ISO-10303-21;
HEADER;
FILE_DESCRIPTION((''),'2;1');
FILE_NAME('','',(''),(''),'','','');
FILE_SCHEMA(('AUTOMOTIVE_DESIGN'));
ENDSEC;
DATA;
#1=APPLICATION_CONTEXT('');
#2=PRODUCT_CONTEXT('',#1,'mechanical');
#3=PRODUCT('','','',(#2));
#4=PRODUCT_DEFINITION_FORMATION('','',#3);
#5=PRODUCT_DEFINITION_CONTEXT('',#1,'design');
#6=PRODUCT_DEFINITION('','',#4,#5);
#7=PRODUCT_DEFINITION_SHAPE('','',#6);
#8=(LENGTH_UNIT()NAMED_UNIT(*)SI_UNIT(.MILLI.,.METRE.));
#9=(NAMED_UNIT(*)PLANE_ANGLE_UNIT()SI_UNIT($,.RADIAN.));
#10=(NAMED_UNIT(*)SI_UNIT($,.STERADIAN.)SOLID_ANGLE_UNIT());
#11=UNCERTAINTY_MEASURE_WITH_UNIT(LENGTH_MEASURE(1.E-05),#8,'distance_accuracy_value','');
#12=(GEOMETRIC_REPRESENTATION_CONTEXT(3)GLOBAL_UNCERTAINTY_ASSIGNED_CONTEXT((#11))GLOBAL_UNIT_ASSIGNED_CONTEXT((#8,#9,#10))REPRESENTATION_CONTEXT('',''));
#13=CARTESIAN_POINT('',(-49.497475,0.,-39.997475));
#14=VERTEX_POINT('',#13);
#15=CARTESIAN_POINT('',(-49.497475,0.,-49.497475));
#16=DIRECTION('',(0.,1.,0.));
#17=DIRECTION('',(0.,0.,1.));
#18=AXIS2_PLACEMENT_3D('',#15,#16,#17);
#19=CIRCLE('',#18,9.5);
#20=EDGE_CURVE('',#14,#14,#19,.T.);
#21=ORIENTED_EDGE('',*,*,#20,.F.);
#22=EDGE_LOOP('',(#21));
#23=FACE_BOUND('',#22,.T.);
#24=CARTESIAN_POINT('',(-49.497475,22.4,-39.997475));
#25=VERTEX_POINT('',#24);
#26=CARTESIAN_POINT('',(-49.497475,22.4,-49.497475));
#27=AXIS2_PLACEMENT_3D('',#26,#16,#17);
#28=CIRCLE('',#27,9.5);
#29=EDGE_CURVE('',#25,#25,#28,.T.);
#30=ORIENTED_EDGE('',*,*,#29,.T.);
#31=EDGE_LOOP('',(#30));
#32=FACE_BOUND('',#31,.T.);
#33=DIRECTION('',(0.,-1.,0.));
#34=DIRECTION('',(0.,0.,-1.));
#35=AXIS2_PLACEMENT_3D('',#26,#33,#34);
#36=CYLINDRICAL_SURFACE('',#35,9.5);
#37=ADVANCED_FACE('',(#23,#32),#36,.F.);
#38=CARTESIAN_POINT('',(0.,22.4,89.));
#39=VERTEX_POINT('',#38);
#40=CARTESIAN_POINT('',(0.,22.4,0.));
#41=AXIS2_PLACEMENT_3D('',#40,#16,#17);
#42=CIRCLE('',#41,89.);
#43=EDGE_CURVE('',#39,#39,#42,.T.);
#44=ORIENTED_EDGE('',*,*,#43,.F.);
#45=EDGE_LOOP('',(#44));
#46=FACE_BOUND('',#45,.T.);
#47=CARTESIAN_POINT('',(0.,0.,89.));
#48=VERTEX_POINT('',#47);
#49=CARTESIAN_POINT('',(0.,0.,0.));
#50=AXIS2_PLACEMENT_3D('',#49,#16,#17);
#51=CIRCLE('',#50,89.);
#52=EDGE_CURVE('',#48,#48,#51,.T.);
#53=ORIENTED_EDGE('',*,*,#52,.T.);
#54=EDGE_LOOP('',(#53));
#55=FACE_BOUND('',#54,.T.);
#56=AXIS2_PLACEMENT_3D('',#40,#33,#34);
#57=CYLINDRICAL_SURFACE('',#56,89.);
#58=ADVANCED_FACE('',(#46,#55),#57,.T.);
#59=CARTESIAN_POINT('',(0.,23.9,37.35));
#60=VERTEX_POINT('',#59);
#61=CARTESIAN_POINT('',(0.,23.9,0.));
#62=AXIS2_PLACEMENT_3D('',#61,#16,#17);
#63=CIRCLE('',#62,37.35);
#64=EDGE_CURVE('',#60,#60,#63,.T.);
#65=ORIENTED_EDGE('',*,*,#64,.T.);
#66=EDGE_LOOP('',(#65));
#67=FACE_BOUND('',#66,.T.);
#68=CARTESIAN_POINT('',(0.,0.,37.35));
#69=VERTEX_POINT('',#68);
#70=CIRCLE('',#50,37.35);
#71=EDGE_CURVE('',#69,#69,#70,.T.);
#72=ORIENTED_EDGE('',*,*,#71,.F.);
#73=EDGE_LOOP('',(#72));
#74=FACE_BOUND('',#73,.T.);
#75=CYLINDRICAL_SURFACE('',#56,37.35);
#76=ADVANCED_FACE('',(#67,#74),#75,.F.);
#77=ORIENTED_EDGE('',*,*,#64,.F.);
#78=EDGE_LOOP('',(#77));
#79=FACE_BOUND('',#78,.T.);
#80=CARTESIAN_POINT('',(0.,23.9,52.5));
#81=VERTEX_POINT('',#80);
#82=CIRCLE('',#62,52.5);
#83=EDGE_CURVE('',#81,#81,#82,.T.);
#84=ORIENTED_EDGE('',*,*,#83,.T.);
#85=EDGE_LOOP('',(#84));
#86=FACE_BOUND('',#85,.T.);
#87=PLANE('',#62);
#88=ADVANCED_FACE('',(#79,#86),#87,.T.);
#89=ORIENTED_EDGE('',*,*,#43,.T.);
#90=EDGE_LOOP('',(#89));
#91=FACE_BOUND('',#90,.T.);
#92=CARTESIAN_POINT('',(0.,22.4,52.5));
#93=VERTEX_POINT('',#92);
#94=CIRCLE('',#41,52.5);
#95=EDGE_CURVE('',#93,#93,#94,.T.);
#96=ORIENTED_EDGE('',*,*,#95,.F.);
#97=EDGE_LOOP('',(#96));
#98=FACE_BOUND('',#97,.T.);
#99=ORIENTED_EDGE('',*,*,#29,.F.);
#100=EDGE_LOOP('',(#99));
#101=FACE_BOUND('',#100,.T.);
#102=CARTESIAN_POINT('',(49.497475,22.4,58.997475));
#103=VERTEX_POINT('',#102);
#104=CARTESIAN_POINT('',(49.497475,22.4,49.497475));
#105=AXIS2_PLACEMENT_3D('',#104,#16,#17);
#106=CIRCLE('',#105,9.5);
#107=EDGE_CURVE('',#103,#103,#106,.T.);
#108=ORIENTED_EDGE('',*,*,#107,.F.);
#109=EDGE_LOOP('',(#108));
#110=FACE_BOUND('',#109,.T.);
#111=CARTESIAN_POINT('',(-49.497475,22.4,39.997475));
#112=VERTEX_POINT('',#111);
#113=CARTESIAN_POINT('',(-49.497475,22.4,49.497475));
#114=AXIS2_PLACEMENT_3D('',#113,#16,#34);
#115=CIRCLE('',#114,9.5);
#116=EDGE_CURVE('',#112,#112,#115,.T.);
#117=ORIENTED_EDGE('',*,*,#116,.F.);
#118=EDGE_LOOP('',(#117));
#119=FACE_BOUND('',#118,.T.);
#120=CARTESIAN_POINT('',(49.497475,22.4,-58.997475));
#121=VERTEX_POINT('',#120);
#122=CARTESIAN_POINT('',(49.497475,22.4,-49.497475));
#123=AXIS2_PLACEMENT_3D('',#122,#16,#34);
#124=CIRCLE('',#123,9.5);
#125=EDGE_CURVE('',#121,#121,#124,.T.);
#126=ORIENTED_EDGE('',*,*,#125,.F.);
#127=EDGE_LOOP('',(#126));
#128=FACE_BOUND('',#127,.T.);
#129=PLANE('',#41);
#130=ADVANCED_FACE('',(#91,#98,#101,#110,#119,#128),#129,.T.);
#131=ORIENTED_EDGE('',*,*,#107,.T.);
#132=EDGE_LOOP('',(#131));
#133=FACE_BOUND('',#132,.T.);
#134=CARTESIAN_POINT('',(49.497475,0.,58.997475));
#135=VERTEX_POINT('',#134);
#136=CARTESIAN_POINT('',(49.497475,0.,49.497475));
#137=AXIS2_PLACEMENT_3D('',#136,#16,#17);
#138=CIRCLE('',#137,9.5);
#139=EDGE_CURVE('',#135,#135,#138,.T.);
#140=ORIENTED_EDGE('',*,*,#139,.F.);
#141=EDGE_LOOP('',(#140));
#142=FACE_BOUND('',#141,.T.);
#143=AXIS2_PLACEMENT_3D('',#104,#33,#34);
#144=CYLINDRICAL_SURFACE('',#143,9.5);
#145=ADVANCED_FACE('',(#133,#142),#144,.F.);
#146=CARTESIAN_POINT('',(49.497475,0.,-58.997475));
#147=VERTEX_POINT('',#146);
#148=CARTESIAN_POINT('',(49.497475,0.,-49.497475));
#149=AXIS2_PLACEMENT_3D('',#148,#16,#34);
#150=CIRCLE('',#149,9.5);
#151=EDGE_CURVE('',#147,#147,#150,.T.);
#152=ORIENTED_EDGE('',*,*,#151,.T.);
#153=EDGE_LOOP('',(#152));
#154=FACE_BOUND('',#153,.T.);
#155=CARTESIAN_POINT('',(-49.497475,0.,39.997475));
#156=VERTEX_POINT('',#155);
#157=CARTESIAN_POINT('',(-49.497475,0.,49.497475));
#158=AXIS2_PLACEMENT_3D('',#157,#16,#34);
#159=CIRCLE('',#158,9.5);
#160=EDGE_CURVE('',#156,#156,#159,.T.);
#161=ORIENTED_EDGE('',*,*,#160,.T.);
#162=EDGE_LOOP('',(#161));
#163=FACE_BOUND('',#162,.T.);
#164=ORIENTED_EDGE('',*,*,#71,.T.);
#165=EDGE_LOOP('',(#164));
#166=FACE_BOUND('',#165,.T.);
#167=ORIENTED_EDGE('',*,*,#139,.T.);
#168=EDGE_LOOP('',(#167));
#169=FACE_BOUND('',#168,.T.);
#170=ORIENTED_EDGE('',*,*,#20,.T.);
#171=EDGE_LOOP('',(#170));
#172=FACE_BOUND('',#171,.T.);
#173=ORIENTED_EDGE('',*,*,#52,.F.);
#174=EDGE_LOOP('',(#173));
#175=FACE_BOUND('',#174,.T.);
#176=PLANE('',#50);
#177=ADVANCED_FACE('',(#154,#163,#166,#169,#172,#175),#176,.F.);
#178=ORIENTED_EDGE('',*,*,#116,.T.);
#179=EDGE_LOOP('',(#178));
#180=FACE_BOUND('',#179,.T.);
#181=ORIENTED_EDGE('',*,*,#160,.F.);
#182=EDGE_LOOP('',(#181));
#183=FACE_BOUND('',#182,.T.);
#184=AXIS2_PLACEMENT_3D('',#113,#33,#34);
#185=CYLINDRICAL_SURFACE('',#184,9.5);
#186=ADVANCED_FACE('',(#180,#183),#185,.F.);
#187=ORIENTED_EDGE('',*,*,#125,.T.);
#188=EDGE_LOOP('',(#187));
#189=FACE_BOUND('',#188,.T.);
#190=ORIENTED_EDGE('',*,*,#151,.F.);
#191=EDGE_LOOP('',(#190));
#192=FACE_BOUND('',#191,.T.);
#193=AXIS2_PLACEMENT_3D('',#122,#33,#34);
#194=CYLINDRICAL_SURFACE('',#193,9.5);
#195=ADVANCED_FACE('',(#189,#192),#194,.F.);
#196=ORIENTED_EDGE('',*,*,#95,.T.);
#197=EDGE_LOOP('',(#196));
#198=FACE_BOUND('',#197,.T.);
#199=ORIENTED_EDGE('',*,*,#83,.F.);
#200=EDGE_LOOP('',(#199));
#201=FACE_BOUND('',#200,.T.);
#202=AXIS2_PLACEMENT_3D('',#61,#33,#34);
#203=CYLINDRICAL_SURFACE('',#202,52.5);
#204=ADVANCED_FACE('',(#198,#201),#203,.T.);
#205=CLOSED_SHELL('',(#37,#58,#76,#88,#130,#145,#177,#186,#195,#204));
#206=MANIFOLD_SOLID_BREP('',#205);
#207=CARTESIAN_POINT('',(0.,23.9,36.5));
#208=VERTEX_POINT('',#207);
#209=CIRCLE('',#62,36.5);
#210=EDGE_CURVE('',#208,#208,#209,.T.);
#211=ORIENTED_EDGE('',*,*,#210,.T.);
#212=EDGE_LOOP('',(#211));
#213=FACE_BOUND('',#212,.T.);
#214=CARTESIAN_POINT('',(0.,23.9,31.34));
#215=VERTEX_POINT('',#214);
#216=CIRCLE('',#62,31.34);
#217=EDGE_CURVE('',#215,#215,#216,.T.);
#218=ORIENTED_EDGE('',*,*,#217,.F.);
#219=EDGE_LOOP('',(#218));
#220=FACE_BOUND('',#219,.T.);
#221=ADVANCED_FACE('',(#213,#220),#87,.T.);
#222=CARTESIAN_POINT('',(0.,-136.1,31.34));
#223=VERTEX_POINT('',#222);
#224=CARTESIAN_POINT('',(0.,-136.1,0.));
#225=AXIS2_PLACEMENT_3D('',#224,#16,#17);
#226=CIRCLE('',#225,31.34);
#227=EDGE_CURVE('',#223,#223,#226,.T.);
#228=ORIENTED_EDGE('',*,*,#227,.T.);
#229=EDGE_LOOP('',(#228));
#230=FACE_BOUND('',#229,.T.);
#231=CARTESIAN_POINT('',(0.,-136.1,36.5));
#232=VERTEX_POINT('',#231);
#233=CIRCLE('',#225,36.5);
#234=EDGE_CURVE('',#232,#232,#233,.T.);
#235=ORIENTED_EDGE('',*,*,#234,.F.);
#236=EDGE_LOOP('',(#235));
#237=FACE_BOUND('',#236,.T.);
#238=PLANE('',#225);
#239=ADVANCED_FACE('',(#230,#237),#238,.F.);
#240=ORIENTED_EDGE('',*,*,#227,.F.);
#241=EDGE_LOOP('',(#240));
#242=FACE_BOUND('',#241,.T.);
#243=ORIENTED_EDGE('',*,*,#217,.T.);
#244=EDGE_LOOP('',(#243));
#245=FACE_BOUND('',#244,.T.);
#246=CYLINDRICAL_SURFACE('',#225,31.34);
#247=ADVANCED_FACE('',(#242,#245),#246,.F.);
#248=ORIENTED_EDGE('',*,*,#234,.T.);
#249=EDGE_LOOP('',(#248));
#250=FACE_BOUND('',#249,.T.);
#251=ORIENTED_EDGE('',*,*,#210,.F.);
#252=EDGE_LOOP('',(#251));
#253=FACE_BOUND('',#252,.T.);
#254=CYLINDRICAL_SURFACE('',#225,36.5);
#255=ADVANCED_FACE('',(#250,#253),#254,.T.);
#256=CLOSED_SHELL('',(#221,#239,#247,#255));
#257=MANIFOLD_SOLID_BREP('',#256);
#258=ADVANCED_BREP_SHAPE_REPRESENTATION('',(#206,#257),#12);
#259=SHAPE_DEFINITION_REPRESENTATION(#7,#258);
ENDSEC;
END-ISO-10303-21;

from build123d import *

# Parameters (mm, degrees)
SKETCH1_R           = 89
SKETCH1_R_2         = 37.35
SKETCH1_R_3         = 9.5
BOSS_EXTRUDE1_DEPTH = 22.4
SKETCH2_R           = 52.5
SKETCH2_R_2         = 37.35
BOSS_EXTRUDE2_DEPTH = 1.5
SKETCH3_R           = 36.5
SKETCH3_R_2         = 31.34
BOSS_EXTRUDE3_DEPTH = 160


with BuildPart() as part:
    # Sketch1 → Boss-Extrude1 (new body)
    with BuildSketch(Plane(origin=(0, 0, 0), x_dir=(1, 0, 0), z_dir=(0, 1, 0))):
        Circle(SKETCH1_R)
        Circle(SKETCH1_R_2, mode=Mode.SUBTRACT)
        with Locations((-49.497474683, 49.497474683)):
            Circle(SKETCH1_R_3, mode=Mode.SUBTRACT)
        with Locations((-49.497474683, -49.497474683)):
            Circle(SKETCH1_R_3, mode=Mode.SUBTRACT)
        with Locations((49.497474683, -49.497474683)):
            Circle(SKETCH1_R_3, mode=Mode.SUBTRACT)
        with Locations((49.497474683, 49.497474683)):
            Circle(SKETCH1_R_3, mode=Mode.SUBTRACT)
    extrude(amount=BOSS_EXTRUDE1_DEPTH)

    # Sketch2 → Boss-Extrude2 (add)
    with BuildSketch(Plane(origin=(0, 22.4, 0), x_dir=(1, 0, 0), z_dir=(0, 1, 0))):
        Circle(SKETCH2_R)
        Circle(SKETCH2_R_2, mode=Mode.SUBTRACT)
    extrude(amount=BOSS_EXTRUDE2_DEPTH)


with BuildPart() as body_2:
    # Sketch3 → Boss-Extrude3 (new body)
    with BuildSketch(Plane(origin=(0, 23.9, 0), x_dir=(1, 0, 0), z_dir=(0, 1, 0))):
        Circle(SKETCH3_R)
        Circle(SKETCH3_R_2, mode=Mode.SUBTRACT)
    extrude(amount=-BOSS_EXTRUDE3_DEPTH)


solid = Compound([part.part, body_2.part])
